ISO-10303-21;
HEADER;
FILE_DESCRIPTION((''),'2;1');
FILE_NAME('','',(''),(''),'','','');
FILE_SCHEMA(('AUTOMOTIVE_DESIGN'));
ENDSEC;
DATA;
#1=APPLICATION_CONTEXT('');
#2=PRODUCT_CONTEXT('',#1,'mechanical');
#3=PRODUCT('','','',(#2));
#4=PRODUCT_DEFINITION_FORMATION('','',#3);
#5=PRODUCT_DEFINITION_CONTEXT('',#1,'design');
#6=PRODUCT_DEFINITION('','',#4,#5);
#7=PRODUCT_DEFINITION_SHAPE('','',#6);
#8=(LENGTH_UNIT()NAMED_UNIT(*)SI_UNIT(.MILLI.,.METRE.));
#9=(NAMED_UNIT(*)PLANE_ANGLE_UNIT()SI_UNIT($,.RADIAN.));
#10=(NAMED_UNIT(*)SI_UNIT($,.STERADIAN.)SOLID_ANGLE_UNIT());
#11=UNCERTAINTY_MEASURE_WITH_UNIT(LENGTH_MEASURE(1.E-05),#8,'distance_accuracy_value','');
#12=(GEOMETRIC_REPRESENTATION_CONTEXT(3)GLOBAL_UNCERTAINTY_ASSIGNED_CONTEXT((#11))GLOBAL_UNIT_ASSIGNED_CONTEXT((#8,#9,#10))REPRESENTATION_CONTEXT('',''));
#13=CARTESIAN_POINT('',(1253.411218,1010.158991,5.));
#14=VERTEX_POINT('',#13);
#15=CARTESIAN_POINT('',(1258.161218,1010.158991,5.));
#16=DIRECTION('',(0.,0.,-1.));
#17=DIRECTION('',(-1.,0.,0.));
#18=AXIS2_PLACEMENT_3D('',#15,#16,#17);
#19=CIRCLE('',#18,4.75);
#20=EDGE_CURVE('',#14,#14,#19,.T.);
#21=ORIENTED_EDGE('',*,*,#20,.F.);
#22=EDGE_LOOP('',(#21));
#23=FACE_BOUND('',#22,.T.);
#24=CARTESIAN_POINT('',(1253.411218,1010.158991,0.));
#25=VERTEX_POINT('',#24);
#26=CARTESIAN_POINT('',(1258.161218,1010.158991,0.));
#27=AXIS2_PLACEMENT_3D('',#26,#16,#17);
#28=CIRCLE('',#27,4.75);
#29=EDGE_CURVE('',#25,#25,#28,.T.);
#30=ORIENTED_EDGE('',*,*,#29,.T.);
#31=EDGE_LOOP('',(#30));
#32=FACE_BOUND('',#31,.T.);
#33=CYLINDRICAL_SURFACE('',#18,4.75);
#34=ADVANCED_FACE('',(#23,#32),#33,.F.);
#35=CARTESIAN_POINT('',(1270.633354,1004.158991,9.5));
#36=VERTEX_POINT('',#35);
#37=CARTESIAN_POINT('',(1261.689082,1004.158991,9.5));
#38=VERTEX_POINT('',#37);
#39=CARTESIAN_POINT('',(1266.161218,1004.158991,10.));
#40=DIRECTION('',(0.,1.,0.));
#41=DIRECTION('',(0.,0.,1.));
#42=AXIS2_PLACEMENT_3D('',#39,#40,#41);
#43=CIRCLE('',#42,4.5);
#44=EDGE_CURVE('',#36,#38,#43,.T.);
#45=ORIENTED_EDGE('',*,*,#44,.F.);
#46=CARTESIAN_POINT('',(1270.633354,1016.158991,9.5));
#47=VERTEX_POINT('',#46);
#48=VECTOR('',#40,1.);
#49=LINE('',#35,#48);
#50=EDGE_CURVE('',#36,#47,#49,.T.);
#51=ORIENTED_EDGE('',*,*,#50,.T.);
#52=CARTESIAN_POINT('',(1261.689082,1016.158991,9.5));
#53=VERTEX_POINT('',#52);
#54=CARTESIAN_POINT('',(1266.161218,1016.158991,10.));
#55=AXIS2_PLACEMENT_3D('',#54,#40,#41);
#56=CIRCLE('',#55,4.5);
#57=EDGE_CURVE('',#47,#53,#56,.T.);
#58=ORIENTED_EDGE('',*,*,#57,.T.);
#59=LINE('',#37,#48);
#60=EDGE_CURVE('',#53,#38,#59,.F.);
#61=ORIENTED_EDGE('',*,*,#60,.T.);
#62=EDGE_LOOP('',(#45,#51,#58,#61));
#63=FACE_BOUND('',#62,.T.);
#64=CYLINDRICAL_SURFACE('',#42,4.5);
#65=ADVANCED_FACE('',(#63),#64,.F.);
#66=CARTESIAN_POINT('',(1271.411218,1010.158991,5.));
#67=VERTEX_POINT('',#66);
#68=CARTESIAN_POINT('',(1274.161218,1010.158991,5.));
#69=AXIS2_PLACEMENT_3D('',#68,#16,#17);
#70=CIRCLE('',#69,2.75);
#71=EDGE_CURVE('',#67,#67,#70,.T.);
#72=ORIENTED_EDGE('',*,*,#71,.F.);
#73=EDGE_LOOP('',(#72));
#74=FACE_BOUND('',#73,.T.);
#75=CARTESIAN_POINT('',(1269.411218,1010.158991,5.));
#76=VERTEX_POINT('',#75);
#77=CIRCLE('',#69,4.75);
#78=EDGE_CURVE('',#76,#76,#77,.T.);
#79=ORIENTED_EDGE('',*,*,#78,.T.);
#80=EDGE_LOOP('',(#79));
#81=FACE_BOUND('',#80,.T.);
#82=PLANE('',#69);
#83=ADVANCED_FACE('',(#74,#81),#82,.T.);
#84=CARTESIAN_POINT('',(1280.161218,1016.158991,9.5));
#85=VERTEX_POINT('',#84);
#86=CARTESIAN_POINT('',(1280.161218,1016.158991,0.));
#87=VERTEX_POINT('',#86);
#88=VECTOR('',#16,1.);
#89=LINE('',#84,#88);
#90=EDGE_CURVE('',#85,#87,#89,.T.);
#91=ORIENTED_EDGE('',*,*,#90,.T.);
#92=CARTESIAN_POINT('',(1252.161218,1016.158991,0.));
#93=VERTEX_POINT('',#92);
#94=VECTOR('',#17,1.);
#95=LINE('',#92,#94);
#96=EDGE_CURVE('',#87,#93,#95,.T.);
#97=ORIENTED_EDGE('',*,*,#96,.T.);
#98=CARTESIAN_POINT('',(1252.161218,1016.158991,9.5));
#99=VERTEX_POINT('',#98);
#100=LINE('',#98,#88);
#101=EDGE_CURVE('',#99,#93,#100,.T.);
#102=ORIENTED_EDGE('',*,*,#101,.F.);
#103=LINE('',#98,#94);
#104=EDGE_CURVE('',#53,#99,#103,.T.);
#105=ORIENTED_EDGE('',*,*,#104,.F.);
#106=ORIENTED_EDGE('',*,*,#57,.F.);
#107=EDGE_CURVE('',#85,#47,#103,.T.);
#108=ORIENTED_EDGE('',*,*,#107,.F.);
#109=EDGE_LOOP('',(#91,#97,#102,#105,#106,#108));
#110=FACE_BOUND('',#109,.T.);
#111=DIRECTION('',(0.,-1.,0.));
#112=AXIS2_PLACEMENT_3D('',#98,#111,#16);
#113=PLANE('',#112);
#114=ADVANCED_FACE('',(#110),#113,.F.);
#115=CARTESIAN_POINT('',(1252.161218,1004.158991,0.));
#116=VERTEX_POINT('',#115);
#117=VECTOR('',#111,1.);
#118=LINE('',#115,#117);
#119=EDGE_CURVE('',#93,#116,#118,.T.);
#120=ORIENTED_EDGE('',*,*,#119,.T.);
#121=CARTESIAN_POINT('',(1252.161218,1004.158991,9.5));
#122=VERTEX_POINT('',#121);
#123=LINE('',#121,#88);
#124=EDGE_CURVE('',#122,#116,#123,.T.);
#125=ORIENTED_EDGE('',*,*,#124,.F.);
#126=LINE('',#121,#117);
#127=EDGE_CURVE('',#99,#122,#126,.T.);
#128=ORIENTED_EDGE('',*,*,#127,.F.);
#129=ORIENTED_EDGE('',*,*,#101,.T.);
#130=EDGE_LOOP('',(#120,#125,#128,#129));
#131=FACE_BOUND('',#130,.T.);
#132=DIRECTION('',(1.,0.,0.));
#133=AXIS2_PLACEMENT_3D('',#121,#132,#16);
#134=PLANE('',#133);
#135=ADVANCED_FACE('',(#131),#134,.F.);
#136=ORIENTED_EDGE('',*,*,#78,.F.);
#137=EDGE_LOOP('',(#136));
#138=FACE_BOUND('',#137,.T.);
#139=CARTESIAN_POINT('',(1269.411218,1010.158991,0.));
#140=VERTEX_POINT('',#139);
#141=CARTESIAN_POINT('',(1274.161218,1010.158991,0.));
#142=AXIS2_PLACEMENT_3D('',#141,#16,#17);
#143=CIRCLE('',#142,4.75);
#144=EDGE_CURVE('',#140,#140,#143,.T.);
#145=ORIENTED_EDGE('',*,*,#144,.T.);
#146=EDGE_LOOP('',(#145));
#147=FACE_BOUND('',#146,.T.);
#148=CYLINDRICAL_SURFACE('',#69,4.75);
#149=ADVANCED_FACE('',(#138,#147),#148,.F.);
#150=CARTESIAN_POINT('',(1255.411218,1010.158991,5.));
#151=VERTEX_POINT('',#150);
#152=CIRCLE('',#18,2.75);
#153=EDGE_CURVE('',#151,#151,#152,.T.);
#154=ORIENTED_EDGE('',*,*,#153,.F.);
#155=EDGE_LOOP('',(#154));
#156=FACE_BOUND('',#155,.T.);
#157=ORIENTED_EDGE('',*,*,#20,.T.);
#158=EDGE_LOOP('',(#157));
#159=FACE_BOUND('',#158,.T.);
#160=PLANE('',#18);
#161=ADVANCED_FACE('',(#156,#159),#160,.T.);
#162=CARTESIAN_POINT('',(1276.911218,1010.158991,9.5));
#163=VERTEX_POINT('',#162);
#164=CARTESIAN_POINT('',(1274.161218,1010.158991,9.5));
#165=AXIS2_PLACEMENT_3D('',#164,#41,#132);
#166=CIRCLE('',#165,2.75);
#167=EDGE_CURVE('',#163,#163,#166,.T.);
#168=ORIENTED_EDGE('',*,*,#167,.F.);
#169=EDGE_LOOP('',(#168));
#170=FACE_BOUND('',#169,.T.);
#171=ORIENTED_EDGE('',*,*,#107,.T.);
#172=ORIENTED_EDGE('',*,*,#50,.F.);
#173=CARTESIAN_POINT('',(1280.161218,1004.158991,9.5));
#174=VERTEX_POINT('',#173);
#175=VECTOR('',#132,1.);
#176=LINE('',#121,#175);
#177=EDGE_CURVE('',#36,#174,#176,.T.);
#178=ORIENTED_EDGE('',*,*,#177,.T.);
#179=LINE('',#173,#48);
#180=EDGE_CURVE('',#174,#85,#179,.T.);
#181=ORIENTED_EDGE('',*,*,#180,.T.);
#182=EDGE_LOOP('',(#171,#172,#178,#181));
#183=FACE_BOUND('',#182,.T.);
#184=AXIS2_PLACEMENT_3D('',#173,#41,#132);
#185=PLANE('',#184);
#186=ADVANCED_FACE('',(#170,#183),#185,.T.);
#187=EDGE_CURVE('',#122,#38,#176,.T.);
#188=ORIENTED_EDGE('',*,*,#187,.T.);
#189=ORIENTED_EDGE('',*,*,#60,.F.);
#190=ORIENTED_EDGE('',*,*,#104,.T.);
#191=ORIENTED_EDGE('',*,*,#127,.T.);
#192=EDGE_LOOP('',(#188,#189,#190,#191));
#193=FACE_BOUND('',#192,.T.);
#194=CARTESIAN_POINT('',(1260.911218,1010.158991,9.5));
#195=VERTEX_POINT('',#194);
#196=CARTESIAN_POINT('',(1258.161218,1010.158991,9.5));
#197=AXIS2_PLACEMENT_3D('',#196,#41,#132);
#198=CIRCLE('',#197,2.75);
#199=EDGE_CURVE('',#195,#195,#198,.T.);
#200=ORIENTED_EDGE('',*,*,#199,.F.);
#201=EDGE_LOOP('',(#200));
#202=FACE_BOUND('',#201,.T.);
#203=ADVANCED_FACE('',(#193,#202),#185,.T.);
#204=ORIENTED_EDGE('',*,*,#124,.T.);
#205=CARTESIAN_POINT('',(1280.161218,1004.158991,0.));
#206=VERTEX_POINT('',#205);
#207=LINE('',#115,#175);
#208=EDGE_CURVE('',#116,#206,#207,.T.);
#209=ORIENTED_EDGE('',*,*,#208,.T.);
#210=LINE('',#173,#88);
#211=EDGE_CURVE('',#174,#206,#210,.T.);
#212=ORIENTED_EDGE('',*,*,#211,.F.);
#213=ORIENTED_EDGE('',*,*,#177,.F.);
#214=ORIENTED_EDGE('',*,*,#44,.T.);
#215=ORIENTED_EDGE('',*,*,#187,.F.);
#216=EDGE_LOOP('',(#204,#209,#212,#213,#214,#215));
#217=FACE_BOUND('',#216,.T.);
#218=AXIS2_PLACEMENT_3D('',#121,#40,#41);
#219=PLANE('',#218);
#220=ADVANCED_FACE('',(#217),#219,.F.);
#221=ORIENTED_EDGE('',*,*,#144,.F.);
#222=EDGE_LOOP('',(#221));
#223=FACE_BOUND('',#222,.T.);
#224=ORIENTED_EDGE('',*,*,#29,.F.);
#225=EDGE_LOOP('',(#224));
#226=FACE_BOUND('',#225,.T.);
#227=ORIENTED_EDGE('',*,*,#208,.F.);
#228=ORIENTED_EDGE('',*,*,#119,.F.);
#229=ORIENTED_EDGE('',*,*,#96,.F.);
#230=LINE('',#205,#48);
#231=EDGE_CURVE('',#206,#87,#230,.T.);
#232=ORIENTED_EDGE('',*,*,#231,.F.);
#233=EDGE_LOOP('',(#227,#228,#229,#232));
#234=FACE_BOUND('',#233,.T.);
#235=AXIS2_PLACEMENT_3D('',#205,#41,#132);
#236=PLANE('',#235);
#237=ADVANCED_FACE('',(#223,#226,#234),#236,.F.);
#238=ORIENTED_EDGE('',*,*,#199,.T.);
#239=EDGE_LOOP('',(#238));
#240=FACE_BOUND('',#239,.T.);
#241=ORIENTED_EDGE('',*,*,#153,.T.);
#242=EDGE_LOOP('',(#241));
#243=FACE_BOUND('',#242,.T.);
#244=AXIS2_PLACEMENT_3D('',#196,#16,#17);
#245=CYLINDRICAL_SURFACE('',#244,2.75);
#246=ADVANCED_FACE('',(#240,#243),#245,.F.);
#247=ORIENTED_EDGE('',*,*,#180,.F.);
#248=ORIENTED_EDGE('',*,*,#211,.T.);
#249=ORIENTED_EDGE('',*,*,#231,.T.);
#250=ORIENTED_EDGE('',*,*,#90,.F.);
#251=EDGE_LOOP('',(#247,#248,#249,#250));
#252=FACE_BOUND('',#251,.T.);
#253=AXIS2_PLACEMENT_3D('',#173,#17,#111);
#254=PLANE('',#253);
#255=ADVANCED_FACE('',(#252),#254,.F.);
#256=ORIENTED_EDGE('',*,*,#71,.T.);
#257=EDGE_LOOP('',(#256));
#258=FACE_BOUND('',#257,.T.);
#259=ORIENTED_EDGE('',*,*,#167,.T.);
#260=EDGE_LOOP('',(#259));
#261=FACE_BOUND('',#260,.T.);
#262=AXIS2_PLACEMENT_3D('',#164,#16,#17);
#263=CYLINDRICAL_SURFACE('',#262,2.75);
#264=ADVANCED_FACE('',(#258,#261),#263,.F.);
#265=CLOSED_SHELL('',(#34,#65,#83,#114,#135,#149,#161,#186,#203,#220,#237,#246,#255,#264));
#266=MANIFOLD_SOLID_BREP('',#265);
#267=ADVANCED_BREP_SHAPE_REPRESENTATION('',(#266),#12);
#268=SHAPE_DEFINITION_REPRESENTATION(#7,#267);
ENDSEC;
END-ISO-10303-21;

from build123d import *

# Parameters (mm, degrees)
SKETCH_1_W          = 28
SKETCH_1_H          = 12
SKETCH_1_R          = 2.75
EXTRUDE_1_DEPTH     = 9.5
SKETCH_2_R          = 4.75
CUT_EXTRUDE_2_DEPTH = 5
SKETCH_3_R          = 4.5
CUT_EXTRUDE_3_DEPTH = 1281.252706776


with BuildPart() as part:
    # 草图1 → 拉伸1 (new body)
    with BuildSketch(Plane.XY):
        with Locations((1266.161217663, 1010.158991307)):
            Rectangle(SKETCH_1_W, SKETCH_1_H)
        with Locations((1274.161217663, 1010.158991307)):
            Circle(SKETCH_1_R, mode=Mode.SUBTRACT)
        with Locations((1258.161217663, 1010.158991307)):
            Circle(SKETCH_1_R, mode=Mode.SUBTRACT)
    extrude(amount=EXTRUDE_1_DEPTH)

    # 草图2 → 拉伸2 (cut)
    with BuildSketch(Plane(origin=(0, 0, 0), x_dir=(-1, 0, 0), z_dir=(0, 0, -1))):
        with Locations((-1258.161217663, 1010.158991307)):
            Circle(SKETCH_2_R)
        with Locations((-1274.161217663, 1010.158991307)):
            Circle(SKETCH_2_R)
    extrude(amount=-CUT_EXTRUDE_2_DEPTH, mode=Mode.SUBTRACT)

    # 草图3 → 拉伸3 (cut, through all)
    with BuildSketch(Plane(origin=(0, 1016.158991307, 0), x_dir=(1, 0, 0), z_dir=(0, 1, 0))):
        with Locations((1266.161217663, -10)):
            Circle(SKETCH_3_R)
    extrude(amount=-CUT_EXTRUDE_3_DEPTH, mode=Mode.SUBTRACT)


solid = part.part
